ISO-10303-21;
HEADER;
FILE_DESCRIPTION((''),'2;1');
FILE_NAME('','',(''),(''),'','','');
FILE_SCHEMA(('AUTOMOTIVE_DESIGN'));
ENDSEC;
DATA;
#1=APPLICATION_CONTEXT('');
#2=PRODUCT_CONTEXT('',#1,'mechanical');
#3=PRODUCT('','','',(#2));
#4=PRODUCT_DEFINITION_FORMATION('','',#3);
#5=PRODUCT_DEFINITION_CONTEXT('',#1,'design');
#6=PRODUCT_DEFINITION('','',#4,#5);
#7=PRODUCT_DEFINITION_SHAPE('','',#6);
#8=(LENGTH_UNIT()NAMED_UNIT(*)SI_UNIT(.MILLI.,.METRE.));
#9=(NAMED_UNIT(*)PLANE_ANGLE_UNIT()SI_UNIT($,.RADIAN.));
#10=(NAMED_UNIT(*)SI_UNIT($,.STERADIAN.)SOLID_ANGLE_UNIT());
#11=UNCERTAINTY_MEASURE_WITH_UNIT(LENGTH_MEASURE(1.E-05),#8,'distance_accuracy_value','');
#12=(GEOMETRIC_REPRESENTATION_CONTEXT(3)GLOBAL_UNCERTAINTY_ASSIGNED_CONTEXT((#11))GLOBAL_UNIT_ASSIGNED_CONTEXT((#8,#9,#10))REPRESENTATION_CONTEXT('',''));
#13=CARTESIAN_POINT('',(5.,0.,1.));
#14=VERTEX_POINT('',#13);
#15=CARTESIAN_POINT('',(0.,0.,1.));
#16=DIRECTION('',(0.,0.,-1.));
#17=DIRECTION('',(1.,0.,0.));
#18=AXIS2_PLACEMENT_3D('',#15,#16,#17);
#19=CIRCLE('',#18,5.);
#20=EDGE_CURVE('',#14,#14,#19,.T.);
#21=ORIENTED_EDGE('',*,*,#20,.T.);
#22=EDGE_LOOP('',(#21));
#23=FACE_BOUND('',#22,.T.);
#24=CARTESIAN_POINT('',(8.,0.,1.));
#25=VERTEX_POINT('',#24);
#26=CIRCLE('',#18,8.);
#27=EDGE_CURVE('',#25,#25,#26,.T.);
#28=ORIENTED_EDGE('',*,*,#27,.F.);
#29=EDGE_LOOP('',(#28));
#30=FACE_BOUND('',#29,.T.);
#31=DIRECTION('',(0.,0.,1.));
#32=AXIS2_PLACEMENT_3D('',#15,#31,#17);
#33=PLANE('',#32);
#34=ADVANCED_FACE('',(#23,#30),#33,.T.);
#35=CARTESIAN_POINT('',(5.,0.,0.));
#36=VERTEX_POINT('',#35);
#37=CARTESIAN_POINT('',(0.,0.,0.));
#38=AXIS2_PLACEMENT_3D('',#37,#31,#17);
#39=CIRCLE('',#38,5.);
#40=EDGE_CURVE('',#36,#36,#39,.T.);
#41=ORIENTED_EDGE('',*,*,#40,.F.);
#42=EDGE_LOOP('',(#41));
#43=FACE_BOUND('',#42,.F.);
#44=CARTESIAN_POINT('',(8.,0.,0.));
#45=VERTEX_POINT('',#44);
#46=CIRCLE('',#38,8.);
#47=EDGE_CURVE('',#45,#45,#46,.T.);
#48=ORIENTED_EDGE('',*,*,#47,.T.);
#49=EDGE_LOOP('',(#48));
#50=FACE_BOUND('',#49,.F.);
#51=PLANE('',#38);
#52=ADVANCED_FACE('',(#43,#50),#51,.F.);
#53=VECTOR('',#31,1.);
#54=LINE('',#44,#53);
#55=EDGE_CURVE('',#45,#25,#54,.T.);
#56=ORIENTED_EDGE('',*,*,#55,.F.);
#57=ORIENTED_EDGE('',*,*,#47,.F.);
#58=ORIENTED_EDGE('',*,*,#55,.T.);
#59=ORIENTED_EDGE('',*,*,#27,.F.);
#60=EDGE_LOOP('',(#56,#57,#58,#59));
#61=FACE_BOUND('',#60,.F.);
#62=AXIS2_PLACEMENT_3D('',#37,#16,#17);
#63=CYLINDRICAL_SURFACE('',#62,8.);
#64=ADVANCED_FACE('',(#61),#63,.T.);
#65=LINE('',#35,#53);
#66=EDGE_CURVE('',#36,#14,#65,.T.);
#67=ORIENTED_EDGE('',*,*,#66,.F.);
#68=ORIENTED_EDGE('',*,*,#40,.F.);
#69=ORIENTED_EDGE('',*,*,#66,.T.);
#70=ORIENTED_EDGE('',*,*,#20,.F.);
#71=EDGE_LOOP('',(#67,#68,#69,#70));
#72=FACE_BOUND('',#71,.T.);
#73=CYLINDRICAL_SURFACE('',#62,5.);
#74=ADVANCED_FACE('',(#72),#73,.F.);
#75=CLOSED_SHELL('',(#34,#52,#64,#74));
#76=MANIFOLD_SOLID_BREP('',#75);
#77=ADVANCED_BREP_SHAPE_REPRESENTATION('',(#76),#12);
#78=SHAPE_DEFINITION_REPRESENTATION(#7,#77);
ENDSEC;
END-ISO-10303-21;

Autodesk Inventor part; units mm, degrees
ref_plane "YZ Plane" through (0, 0, 0) normal (1, 0, 0) x (0, 1, 0)
ref_plane "XZ Plane" through (0, 0, 0) normal (0, 1, 0) x (-1, 0, 0)
ref_plane "XY Plane" through (0, 0, 0) normal (0, 0, 1) x (1, 0, 0)
sketch "Skizze1" plane through (0, 0, 0) normal (0, 0, 1) x (1, 0, 0)
  circle A0 centre (0, 0) radius 5
  circle A1 centre (0, 0) radius 8
  line L0 (-21, 0) -> (21, 0) projected
  line L1 (0, 21) -> (0, -21) projected
  dimension "d0" = 10
  dimension "d1" = 16
extrude "Körper" add sketch "Skizze1" along normal blind 1 contours L0 A1 L1 A0 | A0 L1 A1 L0 | A0 L0 A1 L1 | L1 A1 L0 A0
equation "\"d0\" = SD1"
equation "\"d1\" = SD2"
equation "\"d2\" = SD"
equation "\"SD2\" = 16"
equation "\"SD\" = 1"
equation "\"SD1\" = 10"
equation "\"SR\" = 0.5 * NND2"
equation "\"NND2\" = 16"
properties part number "DIN 988 - 10 x 16 x 1" material "Stahl, weich"
